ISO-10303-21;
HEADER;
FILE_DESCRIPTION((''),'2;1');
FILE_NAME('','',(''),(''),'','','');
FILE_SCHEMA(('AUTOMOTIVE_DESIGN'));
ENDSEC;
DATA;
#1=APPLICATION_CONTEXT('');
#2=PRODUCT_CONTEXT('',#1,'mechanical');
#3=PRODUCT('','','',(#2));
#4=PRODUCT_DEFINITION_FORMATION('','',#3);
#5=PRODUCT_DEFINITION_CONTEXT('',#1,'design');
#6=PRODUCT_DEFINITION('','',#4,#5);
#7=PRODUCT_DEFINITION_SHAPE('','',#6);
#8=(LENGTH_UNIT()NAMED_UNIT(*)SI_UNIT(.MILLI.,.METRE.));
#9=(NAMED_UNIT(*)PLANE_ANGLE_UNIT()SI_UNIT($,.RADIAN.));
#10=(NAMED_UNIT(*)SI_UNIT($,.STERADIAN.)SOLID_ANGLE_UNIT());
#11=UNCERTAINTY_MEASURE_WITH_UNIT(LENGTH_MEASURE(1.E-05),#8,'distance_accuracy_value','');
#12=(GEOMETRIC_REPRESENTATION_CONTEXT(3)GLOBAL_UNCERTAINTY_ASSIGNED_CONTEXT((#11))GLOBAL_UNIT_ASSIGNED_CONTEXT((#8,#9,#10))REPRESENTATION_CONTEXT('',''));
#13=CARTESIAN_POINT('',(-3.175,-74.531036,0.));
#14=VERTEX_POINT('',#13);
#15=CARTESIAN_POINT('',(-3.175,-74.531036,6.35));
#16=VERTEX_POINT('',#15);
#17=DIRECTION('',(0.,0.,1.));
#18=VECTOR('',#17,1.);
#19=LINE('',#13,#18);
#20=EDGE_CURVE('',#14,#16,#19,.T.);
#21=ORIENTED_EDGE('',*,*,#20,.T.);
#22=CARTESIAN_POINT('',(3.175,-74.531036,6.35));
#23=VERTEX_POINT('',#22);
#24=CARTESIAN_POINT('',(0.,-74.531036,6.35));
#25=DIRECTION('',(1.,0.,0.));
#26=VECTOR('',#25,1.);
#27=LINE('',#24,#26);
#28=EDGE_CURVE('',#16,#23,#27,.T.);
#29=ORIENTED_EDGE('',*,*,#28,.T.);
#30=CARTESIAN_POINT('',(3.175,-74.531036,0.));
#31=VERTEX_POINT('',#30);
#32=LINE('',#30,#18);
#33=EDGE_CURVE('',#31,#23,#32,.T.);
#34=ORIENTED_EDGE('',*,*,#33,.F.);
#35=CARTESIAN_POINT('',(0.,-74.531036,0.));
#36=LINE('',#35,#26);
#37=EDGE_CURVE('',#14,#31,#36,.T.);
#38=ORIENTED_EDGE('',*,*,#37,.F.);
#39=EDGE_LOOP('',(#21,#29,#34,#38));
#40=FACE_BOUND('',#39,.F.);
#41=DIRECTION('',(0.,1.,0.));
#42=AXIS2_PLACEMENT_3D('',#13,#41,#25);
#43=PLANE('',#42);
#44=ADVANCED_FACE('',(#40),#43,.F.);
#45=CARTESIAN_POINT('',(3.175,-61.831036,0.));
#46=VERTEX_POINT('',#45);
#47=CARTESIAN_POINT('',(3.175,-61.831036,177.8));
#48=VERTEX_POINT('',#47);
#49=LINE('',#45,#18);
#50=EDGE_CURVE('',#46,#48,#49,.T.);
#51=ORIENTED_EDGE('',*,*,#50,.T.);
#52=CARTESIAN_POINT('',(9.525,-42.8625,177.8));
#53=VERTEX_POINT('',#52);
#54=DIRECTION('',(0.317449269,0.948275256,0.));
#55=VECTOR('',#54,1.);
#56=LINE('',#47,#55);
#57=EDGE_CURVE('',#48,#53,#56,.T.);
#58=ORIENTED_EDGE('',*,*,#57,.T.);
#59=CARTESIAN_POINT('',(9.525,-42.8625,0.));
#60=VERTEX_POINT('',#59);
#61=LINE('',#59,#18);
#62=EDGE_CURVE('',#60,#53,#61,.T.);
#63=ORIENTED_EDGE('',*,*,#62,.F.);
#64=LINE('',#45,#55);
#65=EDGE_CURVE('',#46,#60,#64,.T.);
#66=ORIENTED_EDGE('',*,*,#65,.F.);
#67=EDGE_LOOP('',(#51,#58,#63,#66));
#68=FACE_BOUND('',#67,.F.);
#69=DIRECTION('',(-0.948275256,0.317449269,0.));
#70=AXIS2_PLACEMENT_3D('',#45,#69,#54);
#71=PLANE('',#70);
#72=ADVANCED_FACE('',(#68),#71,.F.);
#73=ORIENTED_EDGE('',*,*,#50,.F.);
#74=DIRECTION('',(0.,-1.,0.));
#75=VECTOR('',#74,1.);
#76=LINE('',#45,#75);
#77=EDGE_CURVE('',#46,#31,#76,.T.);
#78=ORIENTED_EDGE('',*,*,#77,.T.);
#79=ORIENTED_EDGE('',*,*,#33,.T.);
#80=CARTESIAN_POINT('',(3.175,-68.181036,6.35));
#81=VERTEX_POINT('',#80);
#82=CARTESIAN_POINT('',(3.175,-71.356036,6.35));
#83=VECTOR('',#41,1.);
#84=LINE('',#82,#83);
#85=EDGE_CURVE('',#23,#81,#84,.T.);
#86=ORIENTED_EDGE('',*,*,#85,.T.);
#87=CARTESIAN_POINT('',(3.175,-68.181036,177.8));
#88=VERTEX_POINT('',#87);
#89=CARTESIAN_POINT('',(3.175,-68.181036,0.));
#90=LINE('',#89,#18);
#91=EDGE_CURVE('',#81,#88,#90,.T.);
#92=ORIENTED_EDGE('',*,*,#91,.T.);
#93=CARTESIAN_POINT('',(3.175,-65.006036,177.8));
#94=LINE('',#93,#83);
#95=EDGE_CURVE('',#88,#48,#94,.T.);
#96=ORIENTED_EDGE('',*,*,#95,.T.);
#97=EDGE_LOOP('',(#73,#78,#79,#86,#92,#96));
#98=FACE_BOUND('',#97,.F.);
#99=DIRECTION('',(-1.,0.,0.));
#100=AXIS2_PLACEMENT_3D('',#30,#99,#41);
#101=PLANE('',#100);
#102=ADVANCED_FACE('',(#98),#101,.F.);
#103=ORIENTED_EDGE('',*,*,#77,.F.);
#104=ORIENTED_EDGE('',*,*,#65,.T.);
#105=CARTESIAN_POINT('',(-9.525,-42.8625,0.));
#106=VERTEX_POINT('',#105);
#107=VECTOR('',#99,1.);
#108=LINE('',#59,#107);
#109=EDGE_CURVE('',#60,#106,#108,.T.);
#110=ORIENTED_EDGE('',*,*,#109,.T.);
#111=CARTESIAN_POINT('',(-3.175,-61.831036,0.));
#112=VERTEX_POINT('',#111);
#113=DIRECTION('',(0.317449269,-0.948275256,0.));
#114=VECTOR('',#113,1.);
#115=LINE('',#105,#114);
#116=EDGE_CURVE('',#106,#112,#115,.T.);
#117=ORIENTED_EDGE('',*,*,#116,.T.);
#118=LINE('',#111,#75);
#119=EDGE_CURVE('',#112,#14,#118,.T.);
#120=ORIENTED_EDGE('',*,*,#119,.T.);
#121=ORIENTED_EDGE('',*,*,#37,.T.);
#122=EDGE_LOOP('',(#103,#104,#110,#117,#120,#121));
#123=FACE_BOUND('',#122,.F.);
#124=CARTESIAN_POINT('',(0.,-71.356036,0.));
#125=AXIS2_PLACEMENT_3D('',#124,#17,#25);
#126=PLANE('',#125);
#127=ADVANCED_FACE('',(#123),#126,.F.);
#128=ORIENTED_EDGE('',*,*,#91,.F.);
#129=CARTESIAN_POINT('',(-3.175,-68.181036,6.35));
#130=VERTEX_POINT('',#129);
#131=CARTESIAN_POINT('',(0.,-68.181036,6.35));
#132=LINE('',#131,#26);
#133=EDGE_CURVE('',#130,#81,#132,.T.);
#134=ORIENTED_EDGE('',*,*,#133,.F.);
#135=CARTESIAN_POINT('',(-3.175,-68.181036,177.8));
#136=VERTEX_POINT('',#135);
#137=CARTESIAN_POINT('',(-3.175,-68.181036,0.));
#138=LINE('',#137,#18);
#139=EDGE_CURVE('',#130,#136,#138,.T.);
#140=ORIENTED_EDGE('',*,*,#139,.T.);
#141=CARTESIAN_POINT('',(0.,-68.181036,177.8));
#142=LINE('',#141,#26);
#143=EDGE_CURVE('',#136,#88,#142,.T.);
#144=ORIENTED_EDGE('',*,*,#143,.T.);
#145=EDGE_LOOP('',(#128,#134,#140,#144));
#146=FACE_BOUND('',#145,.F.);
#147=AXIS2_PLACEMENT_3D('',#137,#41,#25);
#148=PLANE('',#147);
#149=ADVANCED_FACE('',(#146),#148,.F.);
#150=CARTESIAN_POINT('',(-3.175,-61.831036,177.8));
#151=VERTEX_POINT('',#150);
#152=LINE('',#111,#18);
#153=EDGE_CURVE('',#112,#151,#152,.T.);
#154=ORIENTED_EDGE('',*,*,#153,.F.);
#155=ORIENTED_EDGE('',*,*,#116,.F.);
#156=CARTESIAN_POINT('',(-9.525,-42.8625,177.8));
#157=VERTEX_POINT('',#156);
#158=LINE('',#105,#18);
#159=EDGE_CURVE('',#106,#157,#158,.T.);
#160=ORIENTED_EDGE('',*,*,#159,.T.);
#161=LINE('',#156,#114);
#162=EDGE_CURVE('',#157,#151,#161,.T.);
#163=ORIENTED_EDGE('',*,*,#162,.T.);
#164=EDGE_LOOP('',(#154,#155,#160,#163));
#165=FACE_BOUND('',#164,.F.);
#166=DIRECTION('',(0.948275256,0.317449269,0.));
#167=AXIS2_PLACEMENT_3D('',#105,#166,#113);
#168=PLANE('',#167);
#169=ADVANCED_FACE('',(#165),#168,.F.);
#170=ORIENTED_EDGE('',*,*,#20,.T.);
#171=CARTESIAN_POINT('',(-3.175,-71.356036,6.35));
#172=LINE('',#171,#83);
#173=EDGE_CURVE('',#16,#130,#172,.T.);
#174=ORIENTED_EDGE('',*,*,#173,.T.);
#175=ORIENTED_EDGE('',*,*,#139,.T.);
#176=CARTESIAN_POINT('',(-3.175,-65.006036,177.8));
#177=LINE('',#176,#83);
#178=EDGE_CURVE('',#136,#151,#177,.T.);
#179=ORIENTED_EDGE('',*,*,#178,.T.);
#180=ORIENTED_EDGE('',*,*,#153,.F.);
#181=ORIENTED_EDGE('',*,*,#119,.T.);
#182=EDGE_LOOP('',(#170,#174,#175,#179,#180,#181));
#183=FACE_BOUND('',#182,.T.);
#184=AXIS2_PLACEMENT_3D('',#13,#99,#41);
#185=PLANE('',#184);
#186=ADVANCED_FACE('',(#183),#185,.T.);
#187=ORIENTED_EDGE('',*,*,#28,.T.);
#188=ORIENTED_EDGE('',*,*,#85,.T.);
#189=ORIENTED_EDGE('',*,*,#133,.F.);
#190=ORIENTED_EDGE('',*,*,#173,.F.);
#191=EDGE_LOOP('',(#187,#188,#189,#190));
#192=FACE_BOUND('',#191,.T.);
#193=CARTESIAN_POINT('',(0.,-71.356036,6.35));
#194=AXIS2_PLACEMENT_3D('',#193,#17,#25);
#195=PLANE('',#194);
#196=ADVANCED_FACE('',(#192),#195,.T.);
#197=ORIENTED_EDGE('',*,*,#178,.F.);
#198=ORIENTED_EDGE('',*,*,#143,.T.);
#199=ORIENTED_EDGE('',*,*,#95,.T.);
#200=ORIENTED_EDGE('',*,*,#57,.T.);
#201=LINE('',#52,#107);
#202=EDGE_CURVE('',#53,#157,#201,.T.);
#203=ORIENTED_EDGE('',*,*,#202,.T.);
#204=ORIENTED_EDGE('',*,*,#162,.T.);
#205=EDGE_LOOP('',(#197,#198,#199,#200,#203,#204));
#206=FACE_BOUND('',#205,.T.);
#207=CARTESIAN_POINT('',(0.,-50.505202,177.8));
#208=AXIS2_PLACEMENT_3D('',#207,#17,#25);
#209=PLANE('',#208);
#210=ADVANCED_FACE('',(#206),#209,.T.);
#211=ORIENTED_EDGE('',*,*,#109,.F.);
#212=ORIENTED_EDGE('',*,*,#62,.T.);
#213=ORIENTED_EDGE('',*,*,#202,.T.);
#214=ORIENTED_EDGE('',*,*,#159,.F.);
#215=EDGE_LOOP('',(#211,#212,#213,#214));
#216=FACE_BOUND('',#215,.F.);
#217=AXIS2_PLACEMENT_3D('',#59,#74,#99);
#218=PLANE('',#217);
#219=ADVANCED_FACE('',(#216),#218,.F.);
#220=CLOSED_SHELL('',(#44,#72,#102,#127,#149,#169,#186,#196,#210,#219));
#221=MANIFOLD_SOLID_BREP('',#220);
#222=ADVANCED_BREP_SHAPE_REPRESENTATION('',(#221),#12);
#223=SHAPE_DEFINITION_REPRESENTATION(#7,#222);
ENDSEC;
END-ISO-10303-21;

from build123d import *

# Parameters (mm, degrees)
F0_W     = 6.35
F0_H     = 6.35
F1_DEPTH = 177.8
F2_DEPTH = 6.35


with BuildPart() as f1:
    # F0 (on Top) → F1 (new body)
    with BuildSketch(Plane.XY):
        Polygon((9.525, -42.8625), (-9.525, -42.8625), (-3.175, -61.831036), (3.175, -61.831036), align=None)
        with Locations((0, -65.006036)):
            Rectangle(F0_W, F0_H)
    extrude(amount=F1_DEPTH)

    # F0 (on Top) → F2 (join)
    with BuildSketch(Plane.XY):
        with Locations((0, -71.356036)):
            Rectangle(F0_W, F0_H)
    extrude(amount=F2_DEPTH)


solid = f1.part
